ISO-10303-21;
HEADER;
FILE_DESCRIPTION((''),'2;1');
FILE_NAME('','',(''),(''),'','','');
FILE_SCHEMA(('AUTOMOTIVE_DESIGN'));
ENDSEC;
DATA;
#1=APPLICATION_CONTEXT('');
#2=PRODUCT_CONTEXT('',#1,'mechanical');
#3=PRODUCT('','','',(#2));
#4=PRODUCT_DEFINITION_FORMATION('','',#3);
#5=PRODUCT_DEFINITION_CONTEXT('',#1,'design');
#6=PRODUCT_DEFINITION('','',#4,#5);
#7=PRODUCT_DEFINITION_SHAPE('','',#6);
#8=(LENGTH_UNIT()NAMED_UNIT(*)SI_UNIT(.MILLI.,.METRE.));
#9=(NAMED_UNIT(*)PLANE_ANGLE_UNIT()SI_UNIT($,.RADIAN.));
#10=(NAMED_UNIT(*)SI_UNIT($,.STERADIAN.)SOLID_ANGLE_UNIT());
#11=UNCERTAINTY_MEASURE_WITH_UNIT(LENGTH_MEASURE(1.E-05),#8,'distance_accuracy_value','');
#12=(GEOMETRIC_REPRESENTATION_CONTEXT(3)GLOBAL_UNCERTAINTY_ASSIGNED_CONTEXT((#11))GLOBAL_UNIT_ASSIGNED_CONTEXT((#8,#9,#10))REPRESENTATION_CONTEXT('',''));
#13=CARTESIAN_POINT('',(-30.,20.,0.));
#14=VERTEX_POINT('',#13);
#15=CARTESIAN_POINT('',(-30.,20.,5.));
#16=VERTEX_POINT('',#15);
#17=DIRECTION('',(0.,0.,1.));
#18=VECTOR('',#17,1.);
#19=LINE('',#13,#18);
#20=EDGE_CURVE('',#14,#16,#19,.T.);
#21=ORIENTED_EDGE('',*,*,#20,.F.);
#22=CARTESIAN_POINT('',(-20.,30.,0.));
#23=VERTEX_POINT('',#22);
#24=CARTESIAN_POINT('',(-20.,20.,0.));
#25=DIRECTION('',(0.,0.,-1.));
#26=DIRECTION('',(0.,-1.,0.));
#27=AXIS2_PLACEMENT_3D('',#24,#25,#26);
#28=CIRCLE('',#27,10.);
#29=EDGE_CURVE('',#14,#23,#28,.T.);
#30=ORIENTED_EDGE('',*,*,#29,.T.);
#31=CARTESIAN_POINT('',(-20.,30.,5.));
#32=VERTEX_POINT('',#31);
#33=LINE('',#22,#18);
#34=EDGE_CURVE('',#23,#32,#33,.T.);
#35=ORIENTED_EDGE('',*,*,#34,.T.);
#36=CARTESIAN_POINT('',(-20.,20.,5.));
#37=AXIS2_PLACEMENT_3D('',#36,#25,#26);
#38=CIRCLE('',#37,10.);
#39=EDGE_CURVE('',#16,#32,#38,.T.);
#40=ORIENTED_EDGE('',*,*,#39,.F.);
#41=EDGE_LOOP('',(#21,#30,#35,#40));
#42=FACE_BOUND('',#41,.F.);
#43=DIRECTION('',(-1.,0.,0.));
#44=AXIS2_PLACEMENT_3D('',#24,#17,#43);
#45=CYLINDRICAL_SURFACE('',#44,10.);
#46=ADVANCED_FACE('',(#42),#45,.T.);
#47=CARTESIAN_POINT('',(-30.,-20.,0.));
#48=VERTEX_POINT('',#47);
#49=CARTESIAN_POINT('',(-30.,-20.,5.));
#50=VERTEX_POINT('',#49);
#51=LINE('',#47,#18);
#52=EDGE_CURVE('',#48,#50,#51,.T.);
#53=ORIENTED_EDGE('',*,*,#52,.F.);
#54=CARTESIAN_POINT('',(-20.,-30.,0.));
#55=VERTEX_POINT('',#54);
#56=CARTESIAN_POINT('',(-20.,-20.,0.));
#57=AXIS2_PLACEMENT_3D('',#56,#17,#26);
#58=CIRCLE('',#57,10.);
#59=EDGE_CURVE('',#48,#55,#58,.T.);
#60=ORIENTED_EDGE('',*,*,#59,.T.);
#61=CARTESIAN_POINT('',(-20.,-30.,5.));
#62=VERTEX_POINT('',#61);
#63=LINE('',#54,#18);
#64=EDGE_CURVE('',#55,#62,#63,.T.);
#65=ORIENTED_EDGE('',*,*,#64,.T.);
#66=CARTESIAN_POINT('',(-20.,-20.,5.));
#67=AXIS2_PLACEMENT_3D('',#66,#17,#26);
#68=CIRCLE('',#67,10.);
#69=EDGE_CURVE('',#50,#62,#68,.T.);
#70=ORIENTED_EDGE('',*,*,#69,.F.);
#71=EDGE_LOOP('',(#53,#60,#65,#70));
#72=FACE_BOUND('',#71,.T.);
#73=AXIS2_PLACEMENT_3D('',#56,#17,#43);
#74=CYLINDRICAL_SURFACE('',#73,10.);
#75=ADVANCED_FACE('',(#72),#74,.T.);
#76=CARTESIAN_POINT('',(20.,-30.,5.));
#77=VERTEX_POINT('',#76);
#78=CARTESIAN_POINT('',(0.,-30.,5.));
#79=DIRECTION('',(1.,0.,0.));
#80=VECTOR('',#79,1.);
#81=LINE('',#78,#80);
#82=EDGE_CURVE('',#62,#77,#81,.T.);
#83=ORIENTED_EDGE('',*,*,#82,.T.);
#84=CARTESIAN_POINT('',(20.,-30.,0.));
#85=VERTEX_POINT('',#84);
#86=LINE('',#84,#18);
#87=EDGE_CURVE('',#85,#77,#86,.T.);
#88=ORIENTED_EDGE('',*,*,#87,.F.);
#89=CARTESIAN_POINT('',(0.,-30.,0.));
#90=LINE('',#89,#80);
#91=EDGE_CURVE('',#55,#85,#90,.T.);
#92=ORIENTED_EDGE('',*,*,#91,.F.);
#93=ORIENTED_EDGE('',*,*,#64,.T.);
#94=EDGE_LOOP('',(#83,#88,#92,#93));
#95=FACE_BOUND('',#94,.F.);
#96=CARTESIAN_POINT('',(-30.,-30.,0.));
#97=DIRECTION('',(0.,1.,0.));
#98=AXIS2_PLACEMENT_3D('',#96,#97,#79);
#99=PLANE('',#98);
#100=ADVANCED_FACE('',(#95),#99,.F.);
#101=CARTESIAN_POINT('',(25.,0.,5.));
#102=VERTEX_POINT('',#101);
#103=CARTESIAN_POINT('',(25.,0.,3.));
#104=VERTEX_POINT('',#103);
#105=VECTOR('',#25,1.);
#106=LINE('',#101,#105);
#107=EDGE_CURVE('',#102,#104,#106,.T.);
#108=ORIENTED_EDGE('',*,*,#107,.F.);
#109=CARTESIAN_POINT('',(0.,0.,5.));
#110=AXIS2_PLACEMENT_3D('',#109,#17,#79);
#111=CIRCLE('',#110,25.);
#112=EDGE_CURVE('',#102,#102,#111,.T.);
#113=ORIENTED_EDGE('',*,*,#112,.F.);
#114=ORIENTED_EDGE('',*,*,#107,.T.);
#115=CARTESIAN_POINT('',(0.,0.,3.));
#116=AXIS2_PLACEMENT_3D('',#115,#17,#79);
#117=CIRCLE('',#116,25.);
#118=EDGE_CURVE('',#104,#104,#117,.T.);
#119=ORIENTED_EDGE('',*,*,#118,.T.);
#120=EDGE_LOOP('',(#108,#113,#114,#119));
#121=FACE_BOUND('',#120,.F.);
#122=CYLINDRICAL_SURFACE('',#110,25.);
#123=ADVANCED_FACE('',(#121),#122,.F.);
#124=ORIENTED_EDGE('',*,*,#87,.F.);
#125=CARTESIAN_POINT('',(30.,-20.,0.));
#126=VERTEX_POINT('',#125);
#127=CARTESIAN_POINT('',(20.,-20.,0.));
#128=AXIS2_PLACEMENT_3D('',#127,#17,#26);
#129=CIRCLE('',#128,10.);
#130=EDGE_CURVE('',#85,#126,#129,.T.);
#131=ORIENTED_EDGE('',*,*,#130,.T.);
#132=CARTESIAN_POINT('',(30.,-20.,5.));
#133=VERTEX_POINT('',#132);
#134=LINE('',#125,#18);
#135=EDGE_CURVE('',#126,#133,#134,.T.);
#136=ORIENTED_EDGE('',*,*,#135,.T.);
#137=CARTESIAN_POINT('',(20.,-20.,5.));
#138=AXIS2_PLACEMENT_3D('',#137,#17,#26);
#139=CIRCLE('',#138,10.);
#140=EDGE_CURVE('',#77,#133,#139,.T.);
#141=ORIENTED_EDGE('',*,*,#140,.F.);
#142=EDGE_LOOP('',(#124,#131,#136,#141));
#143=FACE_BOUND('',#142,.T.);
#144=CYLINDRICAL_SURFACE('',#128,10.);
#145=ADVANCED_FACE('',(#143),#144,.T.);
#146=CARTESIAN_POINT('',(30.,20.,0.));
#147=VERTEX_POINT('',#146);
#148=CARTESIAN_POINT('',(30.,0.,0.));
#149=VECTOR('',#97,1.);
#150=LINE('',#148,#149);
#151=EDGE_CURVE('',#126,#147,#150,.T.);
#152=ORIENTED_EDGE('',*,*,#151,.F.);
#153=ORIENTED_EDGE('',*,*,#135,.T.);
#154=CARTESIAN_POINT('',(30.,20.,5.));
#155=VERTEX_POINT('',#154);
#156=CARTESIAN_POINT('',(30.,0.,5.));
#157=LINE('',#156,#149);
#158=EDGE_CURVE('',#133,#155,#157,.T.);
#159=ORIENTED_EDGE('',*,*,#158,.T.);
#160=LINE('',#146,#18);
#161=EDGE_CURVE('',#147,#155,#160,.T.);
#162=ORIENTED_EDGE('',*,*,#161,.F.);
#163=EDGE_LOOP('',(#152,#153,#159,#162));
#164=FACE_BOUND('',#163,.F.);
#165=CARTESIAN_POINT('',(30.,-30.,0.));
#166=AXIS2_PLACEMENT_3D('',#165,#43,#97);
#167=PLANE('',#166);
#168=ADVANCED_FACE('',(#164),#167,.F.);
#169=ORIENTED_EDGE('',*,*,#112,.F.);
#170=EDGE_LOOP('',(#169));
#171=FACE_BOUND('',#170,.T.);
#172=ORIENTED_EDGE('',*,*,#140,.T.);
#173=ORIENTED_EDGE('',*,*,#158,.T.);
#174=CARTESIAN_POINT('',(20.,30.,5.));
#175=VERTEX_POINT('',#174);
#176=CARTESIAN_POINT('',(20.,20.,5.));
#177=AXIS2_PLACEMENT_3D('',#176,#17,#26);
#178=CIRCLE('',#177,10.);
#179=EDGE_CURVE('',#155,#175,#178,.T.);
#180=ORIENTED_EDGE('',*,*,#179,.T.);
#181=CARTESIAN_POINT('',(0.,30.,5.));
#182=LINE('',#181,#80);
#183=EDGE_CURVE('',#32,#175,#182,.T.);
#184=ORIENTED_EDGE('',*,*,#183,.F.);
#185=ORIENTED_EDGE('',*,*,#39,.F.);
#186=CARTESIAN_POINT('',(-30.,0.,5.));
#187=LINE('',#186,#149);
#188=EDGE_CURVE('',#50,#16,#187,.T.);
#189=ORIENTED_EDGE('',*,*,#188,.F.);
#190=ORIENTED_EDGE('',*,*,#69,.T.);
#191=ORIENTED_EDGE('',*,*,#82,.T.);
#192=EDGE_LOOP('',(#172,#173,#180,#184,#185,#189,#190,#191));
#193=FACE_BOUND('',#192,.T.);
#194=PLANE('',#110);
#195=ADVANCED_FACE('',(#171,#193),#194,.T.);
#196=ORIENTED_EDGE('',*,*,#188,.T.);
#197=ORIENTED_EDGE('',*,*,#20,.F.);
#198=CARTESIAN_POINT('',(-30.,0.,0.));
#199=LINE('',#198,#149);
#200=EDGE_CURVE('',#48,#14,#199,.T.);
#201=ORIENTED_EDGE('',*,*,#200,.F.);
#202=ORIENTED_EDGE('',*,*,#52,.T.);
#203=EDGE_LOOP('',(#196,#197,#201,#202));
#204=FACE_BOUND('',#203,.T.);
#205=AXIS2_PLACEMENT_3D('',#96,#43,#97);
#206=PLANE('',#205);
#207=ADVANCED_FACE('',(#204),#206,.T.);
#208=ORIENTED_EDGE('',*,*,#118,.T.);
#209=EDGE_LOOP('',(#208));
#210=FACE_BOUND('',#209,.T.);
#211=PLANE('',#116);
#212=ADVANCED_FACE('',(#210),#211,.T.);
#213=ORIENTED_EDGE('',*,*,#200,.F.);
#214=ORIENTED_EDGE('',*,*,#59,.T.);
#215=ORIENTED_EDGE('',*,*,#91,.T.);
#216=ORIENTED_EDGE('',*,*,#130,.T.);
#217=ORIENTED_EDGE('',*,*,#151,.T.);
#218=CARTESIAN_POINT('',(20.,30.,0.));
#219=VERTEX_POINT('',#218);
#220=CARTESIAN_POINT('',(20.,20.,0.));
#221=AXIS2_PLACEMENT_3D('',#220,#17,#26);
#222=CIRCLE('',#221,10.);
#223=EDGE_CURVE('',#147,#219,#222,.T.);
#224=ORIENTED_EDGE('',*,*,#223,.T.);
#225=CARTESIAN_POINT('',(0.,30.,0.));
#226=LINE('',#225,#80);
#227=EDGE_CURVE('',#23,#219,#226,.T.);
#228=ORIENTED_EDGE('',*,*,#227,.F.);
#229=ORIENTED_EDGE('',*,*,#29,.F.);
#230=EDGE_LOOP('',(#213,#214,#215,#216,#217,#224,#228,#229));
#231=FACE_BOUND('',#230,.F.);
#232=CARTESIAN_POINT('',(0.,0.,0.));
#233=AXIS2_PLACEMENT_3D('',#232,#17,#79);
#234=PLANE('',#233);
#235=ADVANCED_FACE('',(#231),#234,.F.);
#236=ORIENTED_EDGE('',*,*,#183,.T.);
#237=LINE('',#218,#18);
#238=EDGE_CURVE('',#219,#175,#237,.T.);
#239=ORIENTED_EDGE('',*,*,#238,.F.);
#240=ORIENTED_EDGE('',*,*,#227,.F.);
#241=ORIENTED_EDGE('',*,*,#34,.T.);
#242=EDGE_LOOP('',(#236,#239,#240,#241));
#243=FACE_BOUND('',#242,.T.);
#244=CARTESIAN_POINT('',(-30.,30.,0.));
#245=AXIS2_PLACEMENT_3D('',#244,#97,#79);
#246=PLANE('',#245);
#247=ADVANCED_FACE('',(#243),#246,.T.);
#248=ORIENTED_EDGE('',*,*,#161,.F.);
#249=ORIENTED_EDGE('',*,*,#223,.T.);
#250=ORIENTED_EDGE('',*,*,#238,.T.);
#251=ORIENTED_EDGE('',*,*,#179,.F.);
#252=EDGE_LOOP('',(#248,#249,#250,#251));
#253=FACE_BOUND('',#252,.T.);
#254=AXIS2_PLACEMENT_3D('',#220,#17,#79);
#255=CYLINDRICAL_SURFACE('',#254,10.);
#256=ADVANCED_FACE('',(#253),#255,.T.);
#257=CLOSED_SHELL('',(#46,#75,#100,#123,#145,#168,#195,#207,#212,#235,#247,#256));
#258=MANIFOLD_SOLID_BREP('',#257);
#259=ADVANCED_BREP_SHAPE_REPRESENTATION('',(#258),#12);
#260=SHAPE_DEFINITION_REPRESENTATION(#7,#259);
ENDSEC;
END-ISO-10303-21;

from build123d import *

# Parameters (mm, degrees)
F0_W     = 60
F0_H     = 60
F1_DEPTH = 5
F2_R     = 10
F3_R     = 25
F4_DEPTH = 2


with BuildPart() as f1:
    # F0 (on Top) → F1 (new body)
    with BuildSketch(Plane.XY):
        Rectangle(F0_W, F0_H)
    extrude(amount=F1_DEPTH)

    # F2
    f2_edges = [f1.edges().sort_by_distance(p)[0] for p in [
        (30, -30, 2.5),
        (30, 30, 2.5),
        (-30, -30, 2.5),
        (-30, 30, 2.5),
    ]]
    fillet(f2_edges, radius=F2_R)

    # F3 (on face) → F4 (cut)
    with BuildSketch(Plane.XY.offset(5)):
        Circle(F3_R)
    extrude(amount=-F4_DEPTH, mode=Mode.SUBTRACT)


solid = f1.part
